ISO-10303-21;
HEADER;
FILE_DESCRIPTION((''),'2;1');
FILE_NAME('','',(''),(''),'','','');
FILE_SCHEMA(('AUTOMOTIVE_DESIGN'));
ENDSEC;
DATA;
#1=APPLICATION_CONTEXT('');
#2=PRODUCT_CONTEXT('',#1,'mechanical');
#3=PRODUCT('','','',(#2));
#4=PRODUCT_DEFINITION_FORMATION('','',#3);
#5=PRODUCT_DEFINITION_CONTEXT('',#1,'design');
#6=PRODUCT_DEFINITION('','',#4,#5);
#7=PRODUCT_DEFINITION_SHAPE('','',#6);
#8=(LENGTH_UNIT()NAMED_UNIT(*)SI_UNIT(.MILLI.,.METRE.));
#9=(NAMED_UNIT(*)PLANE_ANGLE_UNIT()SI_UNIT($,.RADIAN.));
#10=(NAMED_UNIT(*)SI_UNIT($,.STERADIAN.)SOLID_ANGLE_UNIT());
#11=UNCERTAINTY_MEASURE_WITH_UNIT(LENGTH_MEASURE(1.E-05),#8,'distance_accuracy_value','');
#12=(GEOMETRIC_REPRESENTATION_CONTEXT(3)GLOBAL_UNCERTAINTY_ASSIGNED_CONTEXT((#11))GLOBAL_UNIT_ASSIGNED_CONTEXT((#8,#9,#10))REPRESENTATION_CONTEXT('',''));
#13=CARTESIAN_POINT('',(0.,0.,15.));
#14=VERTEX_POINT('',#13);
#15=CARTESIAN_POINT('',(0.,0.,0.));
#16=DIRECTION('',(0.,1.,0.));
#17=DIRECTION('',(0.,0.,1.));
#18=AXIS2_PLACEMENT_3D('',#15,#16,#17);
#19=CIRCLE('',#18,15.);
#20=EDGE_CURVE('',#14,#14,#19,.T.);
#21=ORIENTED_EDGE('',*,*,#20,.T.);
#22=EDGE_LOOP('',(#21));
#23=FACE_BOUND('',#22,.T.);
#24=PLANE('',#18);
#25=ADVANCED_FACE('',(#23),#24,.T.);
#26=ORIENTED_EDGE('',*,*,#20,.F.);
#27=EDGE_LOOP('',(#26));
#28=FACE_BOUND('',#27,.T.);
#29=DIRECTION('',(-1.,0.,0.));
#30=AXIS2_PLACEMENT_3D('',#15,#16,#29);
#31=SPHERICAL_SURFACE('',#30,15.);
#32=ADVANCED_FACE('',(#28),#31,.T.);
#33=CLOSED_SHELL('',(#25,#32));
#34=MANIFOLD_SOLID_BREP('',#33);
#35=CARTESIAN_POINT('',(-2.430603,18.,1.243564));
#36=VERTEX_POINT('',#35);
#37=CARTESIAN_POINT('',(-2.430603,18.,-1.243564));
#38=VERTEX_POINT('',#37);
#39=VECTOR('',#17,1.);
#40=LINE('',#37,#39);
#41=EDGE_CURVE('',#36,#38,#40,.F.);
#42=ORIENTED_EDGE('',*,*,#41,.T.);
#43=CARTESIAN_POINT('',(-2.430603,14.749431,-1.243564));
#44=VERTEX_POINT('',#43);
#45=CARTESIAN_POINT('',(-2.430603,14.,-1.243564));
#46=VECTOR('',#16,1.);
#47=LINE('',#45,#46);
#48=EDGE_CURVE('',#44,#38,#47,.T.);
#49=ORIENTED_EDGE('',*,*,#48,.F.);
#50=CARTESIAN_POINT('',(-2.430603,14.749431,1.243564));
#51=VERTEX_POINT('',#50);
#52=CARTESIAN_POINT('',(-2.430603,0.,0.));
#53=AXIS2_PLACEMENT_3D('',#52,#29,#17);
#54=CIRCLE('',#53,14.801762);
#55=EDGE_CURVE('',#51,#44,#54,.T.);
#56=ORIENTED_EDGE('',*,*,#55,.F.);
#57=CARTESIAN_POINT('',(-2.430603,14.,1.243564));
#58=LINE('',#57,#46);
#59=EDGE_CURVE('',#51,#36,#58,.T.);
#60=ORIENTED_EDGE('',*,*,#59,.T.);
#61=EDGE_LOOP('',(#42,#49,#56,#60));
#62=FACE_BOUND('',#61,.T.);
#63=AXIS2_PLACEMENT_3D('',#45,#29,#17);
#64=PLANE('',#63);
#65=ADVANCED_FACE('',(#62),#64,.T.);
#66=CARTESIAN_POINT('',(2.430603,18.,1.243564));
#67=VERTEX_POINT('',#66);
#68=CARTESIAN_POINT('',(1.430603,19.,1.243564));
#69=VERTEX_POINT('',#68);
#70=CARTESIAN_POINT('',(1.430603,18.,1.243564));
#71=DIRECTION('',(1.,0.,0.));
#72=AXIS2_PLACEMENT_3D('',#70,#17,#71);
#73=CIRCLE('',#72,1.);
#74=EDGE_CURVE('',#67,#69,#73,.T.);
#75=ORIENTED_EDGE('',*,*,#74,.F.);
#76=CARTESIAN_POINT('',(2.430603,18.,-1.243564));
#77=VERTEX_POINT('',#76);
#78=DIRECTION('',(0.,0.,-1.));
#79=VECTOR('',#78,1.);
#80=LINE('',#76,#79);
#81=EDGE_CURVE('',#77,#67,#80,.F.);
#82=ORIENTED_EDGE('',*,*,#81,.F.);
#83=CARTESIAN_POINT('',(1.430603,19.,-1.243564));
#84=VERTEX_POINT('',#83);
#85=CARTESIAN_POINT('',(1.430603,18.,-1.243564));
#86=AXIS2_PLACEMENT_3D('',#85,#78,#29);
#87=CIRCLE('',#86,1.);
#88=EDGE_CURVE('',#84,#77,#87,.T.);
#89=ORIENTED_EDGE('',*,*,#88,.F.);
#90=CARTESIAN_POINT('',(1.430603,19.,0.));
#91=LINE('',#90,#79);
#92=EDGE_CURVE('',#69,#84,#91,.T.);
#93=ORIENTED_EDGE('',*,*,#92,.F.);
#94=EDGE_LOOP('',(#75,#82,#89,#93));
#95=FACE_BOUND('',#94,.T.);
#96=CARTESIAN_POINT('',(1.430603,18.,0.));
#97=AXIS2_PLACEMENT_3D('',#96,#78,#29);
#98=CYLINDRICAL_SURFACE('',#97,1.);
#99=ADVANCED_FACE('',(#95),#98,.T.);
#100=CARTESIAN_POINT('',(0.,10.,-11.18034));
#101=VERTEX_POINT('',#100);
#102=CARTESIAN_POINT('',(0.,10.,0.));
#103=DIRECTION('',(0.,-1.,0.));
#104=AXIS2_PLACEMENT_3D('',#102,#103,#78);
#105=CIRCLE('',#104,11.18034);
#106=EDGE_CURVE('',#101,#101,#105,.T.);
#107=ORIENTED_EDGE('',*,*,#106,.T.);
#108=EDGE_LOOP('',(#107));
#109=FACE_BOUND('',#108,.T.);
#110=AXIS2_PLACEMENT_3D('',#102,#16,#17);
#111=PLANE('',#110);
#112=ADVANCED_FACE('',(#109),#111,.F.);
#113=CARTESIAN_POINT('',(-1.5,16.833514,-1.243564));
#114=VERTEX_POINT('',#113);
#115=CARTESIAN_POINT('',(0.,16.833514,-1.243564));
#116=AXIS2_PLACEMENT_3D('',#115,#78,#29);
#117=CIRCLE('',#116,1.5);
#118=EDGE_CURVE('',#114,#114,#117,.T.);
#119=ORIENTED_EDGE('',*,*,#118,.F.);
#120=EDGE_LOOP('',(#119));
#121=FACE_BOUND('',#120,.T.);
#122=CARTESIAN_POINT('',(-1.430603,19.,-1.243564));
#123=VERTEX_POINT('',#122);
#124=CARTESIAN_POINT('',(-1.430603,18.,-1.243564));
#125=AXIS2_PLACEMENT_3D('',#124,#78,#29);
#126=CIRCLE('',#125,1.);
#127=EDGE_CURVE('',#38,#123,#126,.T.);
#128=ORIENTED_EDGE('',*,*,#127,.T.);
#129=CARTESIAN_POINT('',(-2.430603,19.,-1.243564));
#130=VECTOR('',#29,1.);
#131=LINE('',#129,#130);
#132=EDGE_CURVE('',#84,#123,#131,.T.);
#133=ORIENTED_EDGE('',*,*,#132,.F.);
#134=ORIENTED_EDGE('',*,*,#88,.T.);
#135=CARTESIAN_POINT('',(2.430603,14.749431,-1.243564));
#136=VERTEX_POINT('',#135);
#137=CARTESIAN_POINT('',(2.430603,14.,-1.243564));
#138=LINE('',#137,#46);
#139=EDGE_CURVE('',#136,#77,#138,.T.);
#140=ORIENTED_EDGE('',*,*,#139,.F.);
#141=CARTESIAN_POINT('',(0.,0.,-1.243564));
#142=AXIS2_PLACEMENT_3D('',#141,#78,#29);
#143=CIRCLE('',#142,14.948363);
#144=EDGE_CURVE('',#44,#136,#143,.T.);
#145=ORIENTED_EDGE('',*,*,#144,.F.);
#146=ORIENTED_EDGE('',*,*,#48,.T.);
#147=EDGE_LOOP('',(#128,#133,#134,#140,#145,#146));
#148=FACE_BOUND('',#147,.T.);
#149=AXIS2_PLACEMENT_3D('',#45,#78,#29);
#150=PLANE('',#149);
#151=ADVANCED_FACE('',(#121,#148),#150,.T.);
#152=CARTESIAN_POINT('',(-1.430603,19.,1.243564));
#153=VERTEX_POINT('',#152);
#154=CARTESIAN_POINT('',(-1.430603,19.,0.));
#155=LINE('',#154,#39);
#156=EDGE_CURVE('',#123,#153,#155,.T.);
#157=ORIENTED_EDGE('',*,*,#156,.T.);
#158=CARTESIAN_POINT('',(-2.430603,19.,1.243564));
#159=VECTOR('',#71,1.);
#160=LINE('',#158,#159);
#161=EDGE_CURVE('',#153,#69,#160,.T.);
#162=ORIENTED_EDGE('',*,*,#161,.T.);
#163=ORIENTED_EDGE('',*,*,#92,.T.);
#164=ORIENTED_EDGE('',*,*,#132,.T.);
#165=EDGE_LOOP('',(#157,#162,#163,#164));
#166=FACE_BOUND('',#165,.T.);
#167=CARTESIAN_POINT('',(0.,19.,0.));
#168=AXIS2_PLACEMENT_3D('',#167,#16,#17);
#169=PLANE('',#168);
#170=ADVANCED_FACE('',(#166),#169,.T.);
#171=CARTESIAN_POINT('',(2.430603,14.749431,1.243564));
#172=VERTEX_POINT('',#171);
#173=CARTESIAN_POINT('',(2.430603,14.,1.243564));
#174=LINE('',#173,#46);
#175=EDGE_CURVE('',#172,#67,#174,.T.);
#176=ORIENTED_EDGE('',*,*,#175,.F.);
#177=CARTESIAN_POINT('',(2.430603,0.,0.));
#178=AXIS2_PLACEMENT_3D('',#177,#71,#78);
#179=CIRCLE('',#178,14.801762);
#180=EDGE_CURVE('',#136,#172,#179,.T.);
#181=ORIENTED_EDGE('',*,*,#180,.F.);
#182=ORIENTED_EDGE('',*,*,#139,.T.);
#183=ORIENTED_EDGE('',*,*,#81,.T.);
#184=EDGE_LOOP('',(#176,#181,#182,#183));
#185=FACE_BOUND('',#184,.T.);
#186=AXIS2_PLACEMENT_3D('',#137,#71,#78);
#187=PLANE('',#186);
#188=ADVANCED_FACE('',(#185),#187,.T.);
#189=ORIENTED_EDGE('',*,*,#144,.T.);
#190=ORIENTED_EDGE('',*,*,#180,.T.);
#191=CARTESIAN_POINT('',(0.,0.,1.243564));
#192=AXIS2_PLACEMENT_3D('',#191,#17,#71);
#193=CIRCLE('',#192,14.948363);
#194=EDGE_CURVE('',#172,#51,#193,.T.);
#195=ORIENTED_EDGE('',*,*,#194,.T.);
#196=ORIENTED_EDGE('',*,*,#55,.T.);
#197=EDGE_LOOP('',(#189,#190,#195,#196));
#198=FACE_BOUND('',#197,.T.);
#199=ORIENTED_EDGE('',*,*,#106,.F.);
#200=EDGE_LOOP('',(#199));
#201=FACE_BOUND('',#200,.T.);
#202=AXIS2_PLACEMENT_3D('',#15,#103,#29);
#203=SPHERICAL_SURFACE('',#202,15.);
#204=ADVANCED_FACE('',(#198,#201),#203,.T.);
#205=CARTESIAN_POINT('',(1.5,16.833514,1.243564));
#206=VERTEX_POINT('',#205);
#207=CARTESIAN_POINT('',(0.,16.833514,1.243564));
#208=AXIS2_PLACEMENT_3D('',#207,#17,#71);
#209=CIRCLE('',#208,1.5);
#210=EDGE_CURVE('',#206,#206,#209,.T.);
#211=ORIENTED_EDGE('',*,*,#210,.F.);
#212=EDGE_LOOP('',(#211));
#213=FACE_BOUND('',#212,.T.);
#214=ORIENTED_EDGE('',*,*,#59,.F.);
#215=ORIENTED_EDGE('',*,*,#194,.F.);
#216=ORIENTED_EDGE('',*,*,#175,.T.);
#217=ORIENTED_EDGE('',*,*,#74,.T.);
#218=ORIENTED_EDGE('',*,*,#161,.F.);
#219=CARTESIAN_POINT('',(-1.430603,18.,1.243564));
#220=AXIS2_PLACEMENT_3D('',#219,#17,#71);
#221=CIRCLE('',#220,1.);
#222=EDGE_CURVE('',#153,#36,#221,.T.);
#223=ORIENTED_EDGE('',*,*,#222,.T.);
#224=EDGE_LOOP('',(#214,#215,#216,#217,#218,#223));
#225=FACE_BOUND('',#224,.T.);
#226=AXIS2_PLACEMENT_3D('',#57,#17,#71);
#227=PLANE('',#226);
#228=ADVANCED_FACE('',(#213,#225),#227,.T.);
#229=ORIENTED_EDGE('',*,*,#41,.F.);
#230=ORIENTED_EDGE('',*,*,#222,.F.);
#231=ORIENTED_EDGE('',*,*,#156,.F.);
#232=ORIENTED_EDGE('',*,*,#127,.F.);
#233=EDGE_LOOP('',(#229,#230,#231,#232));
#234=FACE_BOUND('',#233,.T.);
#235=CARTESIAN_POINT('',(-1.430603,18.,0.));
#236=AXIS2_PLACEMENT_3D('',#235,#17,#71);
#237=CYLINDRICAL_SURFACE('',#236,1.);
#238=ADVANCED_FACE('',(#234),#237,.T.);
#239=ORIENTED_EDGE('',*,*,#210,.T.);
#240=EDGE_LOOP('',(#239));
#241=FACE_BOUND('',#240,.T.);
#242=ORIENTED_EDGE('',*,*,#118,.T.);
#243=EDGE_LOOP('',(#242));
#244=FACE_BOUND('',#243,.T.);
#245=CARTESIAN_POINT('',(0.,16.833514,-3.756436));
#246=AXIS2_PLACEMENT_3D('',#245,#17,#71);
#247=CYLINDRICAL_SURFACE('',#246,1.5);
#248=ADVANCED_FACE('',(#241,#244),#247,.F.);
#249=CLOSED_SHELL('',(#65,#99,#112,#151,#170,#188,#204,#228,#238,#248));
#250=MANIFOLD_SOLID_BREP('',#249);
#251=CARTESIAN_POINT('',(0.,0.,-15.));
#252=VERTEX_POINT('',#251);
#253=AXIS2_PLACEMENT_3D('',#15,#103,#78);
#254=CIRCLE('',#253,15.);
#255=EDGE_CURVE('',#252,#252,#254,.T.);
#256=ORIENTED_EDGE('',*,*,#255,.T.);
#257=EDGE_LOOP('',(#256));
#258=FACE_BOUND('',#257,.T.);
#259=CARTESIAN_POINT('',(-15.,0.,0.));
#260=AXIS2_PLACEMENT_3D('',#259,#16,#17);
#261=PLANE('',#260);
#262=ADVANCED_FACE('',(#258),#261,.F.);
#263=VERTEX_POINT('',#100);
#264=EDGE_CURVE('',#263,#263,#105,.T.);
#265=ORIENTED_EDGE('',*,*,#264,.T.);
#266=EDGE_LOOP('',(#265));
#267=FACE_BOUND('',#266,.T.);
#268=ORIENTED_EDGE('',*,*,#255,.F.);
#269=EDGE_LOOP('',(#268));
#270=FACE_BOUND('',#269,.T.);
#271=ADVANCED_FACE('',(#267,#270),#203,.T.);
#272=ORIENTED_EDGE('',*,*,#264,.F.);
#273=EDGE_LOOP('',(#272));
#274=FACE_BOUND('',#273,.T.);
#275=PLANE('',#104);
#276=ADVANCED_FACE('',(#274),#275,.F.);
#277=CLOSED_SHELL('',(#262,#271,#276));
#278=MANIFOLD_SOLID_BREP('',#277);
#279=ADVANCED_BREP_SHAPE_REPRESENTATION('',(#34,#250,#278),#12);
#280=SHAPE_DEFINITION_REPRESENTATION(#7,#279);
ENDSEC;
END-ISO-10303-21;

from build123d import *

# Parameters (mm, degrees)
BOSS_EXTRUDE1_START = 19
SKETCH5_W           = 4.861205616
SKETCH5_H           = 2.487128454
BOSS_EXTRUDE1_DEPTH = 5
FILLET1_R           = 1
SKETCH6_R           = 1.5
CUT_EXTRUDE1_DEPTH  = 5


with BuildPart() as part:
    # Sketch1 → Revolve1 (revolve)
    with BuildSketch(Plane.XY):
        with BuildLine():
            Line((0, 0), (0, -15))
            ThreePointArc((0, -15), (-10.606601718, -10.606601718), (-15, 0))
            Line((-15, 0), (0, 0))
        make_face()
    revolve(axis=Axis((0, 0, 0), (0, -1, 0)))


with BuildPart() as body_2:
    # Sketch3 → Revolve3 (revolve)
    with BuildSketch(Plane.XY, mode=Mode.PRIVATE) as revolve3_sk:
        with BuildLine():
            Line((-15, 0), (0, 0))
            Line((0, 0), (0, 10))
            Line((0, 10), (-11.180339887, 10))
            ThreePointArc((-11.180339887, 10), (-14.012585384, 5.352331347), (-15, 0))
        make_face()
    revolve(revolve3_sk.sketch.rotate(Axis((0, 0, 0), (0, 1, 0)), 270), axis=Axis((0, 0, 0), (0, 1, 0)))


with BuildPart() as body_3:
    # Sketch4 → Revolve4 (revolve)
    with BuildSketch(Plane.XY):
        with BuildLine():
            Line((0, 10), (0, 15))
            ThreePointArc((0, 15), (-6.123724357, 13.693063938), (-11.180339887, 10))
            Line((-11.180339887, 10), (0, 10))
        make_face()
    revolve(axis=Axis((0, 10, 0), (0, 1, 0)))

    # Sketch5 → Boss-Extrude1 (add)
    with BuildSketch(Plane(origin=(0, 0, 0), x_dir=(1, 0, 0), z_dir=(0, 1, 0)).offset(BOSS_EXTRUDE1_START)):
        Rectangle(SKETCH5_W, SKETCH5_H)
    extrude(amount=-BOSS_EXTRUDE1_DEPTH)

    # Fillet1
    fillet1_edges = [body_3.edges().sort_by_distance(p)[0] for p in [
        (2.430602808, 19, 0),
        (-2.430602808, 19, 0),
    ]]
    fillet(fillet1_edges, radius=FILLET1_R)

    # Sketch6 → Cut-Extrude1 (cut)
    with BuildSketch(Plane.XY.offset(1.243564227)):
        with Locations((0, 16.8335136)):
            Circle(SKETCH6_R)
    extrude(amount=-CUT_EXTRUDE1_DEPTH, mode=Mode.SUBTRACT)


solid = Compound([part.part, body_2.part, body_3.part])
